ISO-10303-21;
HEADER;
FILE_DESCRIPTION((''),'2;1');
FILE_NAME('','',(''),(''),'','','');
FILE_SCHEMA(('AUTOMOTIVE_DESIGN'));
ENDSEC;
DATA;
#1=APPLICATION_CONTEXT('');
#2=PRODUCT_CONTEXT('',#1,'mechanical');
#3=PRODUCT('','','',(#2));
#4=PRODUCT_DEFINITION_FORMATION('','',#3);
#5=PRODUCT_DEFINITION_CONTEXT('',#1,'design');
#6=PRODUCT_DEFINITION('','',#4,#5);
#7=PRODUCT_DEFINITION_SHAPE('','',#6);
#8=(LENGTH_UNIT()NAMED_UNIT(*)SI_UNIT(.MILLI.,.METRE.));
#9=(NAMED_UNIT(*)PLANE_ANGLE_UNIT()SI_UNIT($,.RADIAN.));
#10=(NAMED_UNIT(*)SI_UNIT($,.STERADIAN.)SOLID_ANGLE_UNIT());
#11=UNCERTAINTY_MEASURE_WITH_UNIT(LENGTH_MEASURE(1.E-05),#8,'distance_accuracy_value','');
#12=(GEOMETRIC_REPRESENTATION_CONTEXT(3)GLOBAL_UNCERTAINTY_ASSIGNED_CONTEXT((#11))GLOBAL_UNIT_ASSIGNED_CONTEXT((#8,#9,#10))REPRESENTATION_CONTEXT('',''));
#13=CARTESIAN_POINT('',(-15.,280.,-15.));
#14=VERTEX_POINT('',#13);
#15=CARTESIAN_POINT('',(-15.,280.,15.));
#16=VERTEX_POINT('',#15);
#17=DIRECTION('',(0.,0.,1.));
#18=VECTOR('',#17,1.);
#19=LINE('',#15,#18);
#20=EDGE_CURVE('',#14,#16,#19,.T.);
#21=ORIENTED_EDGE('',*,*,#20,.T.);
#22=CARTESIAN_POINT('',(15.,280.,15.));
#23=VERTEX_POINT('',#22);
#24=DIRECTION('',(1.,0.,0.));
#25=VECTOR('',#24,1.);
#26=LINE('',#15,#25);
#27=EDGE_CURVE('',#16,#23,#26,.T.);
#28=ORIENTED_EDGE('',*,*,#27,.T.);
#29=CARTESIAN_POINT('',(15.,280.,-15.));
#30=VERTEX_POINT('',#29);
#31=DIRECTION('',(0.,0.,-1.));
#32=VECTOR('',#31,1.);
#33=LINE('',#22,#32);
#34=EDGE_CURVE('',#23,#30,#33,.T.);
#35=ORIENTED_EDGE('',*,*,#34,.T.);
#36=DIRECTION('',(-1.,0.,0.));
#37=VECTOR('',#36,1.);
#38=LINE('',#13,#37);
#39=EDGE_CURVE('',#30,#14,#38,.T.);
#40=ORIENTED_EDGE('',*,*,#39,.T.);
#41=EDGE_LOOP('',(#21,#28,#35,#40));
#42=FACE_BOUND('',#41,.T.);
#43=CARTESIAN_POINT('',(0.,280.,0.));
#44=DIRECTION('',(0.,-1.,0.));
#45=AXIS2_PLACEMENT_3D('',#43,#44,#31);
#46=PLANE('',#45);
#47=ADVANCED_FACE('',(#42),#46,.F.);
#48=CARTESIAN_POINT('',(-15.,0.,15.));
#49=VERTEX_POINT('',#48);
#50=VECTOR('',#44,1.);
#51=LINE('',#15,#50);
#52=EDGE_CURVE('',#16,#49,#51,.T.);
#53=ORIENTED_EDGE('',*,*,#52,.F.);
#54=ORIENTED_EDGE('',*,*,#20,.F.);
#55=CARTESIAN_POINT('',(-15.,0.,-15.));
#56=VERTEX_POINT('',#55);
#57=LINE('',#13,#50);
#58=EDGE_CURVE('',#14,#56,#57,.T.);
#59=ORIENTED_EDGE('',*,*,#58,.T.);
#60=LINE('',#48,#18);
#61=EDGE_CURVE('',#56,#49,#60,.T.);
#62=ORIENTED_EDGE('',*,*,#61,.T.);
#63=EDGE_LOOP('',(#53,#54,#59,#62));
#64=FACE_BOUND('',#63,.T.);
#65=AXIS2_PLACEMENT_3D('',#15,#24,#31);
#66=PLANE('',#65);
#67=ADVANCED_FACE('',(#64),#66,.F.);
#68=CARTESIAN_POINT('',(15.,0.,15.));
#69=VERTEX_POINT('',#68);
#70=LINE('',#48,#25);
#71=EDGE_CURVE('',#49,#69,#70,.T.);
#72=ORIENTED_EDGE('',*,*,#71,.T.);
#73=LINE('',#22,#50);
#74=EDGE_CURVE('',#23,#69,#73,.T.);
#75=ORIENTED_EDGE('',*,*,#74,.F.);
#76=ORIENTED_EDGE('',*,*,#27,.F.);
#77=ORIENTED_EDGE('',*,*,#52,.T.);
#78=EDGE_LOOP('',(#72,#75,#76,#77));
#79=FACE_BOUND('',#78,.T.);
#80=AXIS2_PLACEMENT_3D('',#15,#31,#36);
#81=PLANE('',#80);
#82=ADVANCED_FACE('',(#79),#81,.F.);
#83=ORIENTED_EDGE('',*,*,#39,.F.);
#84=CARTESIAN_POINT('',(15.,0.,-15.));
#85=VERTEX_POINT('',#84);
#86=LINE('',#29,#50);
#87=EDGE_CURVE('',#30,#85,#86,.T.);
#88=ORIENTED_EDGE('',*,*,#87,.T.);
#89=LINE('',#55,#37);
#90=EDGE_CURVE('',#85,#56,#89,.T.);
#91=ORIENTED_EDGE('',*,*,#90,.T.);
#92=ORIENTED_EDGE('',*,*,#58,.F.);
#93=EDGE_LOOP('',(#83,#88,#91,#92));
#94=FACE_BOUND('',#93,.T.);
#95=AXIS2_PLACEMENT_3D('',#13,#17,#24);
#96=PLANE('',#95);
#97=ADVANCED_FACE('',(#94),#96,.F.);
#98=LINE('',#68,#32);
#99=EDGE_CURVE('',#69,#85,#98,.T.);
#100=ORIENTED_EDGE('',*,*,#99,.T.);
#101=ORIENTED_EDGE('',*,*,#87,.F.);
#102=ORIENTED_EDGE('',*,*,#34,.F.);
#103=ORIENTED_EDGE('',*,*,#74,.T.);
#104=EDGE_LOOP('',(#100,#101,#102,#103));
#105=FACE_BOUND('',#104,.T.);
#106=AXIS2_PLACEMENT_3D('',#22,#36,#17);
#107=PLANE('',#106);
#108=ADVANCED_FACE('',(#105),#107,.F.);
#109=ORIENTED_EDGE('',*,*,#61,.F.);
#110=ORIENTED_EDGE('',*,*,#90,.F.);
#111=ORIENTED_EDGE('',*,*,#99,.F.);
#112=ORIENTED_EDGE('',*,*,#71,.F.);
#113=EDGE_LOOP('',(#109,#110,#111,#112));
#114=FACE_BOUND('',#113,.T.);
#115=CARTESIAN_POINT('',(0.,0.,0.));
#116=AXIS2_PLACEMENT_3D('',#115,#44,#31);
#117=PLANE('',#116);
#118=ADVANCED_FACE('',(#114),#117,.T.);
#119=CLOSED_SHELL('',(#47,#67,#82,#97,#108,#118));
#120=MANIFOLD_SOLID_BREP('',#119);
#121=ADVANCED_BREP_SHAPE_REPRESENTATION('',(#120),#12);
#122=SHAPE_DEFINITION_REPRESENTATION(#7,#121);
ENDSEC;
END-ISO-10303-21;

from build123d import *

# Parameters (mm, degrees)
SKETCH_1_W      = 30
SKETCH_1_H      = 30
EXTRUDE_1_DEPTH = 280


with BuildPart() as part:
    # 草图1 → 凸台-拉伸1 (new body)
    with BuildSketch(Plane(origin=(0, 0, 0), x_dir=(1, 0, 0), z_dir=(0, 1, 0))):
        Rectangle(SKETCH_1_W, SKETCH_1_H)
    extrude(amount=EXTRUDE_1_DEPTH)


solid = part.part
